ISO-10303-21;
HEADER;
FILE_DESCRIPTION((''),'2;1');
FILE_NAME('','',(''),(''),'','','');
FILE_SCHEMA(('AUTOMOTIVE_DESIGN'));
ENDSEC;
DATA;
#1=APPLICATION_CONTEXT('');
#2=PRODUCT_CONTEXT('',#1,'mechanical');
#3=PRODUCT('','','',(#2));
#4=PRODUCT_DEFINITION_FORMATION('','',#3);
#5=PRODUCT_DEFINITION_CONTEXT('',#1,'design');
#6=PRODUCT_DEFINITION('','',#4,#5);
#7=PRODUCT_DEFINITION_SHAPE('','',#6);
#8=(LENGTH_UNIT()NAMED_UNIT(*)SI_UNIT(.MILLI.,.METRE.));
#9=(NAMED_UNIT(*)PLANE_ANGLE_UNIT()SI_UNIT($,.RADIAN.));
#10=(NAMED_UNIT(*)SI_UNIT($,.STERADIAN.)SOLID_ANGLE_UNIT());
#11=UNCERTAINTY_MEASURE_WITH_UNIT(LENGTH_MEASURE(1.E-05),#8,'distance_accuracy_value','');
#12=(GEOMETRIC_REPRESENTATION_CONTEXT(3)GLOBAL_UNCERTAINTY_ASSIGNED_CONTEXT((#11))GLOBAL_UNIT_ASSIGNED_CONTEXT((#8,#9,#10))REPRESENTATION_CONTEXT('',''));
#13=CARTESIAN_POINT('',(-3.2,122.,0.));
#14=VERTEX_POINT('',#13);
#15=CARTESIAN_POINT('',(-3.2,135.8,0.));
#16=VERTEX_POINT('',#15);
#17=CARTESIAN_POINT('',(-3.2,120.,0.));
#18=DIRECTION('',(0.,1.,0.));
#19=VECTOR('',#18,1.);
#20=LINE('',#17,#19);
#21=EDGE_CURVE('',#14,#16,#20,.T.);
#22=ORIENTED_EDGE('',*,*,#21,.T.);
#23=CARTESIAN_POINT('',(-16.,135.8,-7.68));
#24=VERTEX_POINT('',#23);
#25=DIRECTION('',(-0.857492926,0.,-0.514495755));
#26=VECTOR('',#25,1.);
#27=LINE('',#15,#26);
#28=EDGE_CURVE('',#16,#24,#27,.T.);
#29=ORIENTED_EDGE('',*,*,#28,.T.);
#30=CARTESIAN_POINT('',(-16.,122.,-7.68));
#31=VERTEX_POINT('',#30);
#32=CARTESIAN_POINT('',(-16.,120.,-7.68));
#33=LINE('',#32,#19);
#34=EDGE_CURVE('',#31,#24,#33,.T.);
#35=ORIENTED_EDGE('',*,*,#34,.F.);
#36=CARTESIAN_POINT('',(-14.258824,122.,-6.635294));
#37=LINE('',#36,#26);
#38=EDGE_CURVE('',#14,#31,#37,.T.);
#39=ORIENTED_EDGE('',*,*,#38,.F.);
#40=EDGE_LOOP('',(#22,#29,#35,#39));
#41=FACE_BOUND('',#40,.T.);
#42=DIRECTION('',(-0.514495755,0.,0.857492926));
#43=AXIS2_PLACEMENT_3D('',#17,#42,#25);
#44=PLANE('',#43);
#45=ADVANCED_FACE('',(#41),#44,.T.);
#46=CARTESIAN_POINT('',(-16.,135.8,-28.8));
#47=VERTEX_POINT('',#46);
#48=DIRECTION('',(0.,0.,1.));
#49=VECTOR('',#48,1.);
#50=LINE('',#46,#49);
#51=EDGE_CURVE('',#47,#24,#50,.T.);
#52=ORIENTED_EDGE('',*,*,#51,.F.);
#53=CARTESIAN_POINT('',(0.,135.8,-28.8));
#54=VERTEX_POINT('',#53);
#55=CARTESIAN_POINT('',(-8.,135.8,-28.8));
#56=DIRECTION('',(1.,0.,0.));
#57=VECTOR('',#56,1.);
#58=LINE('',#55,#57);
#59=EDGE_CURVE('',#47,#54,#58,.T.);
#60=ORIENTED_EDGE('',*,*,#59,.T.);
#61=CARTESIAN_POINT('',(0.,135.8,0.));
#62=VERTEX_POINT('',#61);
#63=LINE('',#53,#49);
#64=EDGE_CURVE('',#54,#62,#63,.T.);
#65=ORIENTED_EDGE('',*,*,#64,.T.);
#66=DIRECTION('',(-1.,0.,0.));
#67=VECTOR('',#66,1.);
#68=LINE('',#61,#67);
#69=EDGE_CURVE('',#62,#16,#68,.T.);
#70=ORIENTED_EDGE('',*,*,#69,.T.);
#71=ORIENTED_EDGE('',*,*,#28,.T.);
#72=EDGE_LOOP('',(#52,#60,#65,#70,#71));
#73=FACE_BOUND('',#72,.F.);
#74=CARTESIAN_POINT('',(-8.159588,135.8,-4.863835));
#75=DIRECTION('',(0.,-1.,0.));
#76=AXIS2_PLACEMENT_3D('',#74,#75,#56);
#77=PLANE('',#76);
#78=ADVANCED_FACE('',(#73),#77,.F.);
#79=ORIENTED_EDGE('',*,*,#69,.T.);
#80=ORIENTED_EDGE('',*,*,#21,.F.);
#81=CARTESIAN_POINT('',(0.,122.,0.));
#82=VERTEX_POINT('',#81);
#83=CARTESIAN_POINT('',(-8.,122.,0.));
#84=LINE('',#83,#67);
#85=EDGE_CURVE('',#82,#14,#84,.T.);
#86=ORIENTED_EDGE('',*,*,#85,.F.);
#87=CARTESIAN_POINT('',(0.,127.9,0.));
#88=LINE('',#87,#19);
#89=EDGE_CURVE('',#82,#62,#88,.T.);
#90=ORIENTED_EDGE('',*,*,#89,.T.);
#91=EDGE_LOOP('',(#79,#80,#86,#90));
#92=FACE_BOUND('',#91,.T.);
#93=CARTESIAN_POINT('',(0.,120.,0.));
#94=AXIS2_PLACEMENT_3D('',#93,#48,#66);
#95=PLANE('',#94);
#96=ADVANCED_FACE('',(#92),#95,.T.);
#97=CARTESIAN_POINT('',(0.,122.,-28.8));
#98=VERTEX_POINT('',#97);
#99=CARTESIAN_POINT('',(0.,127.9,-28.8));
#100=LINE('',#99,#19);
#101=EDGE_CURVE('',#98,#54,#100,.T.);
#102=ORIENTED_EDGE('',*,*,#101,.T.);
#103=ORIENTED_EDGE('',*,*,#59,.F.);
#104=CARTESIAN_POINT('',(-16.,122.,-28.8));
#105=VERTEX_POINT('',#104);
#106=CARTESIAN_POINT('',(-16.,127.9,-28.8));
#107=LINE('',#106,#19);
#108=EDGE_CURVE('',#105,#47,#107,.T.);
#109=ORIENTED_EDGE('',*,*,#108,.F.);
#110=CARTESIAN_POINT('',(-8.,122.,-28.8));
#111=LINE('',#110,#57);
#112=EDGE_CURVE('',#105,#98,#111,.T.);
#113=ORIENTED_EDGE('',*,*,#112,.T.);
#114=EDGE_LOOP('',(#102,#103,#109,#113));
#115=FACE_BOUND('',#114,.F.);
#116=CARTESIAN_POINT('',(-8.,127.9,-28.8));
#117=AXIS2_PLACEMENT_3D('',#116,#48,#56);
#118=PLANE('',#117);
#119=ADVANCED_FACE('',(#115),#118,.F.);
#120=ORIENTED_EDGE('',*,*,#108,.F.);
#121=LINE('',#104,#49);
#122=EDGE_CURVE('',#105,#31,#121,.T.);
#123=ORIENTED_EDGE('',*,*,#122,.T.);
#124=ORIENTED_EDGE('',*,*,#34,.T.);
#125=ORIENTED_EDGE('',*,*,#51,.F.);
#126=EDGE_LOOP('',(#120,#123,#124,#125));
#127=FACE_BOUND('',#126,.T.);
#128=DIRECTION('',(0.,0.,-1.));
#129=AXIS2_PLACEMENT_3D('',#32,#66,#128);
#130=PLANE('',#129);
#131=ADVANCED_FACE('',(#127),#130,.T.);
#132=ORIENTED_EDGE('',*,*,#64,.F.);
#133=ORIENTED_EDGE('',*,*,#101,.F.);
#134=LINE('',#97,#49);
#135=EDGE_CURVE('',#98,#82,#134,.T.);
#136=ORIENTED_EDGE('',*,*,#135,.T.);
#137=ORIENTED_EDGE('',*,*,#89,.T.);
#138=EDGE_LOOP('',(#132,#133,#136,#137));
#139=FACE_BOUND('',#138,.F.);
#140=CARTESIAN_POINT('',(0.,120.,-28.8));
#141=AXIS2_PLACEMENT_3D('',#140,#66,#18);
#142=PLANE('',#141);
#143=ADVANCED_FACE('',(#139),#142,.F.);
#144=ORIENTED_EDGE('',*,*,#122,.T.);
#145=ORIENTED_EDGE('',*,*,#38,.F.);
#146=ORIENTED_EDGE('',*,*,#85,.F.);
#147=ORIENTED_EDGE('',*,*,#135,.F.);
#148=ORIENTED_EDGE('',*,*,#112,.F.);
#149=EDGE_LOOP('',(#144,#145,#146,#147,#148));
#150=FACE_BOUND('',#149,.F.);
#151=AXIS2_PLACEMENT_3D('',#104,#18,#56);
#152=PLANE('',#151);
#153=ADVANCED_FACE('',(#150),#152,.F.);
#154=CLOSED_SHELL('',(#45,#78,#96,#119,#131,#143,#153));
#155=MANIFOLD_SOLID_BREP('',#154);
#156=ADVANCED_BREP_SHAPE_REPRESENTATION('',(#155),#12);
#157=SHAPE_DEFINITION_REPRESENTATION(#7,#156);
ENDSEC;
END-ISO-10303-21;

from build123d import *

# Parameters (mm, degrees)
SKETCH017_W     = 16
SKETCH017_H     = 15.8
PAD010_DEPTH    = 28.8
POCKET007_DEPTH = 16
PAD137_DEPTH    = 15.8
SKETCH190_W     = 16
SKETCH190_H     = 2
POCKET072_DEPTH = 30


with BuildPart() as part:
    # Sketch017 (on Face68 of Binder006) → Pad010 (new body)
    with BuildSketch(Plane.XY.offset(-28.8)):
        with Locations((-8, 127.9)):
            Rectangle(SKETCH017_W, SKETCH017_H)
    extrude(amount=PAD010_DEPTH)

    # Sketch018 (on Face3 of Pad010) → Pocket007 (cut)
    with BuildSketch(Plane.XZ.offset(-120)):
        Polygon((0, 0), (-16, -9.6), (-16, 0), align=None)
    extrude(amount=-POCKET007_DEPTH, mode=Mode.SUBTRACT)

    # Sketch141 (on Face6 of Pocket007) → Pad137 (join)
    with BuildSketch(Plane.XZ.offset(-120)):
        Polygon((0, 0), (-3.2, 0), (-16, -7.68), (-16, -10.88), (-3.2, -3.2), (0, -3.2), align=None)
    extrude(amount=-PAD137_DEPTH)

    # Sketch190 (on Face1 of Pad137) → Pocket072 (cut)
    with BuildSketch(Plane(origin=(0, 0, -28.8), x_dir=(1, 0, 0), z_dir=(0, 0, -1))):
        with Locations((-8, -121)):
            Rectangle(SKETCH190_W, SKETCH190_H)
    extrude(amount=-POCKET072_DEPTH, mode=Mode.SUBTRACT)


solid = part.part
